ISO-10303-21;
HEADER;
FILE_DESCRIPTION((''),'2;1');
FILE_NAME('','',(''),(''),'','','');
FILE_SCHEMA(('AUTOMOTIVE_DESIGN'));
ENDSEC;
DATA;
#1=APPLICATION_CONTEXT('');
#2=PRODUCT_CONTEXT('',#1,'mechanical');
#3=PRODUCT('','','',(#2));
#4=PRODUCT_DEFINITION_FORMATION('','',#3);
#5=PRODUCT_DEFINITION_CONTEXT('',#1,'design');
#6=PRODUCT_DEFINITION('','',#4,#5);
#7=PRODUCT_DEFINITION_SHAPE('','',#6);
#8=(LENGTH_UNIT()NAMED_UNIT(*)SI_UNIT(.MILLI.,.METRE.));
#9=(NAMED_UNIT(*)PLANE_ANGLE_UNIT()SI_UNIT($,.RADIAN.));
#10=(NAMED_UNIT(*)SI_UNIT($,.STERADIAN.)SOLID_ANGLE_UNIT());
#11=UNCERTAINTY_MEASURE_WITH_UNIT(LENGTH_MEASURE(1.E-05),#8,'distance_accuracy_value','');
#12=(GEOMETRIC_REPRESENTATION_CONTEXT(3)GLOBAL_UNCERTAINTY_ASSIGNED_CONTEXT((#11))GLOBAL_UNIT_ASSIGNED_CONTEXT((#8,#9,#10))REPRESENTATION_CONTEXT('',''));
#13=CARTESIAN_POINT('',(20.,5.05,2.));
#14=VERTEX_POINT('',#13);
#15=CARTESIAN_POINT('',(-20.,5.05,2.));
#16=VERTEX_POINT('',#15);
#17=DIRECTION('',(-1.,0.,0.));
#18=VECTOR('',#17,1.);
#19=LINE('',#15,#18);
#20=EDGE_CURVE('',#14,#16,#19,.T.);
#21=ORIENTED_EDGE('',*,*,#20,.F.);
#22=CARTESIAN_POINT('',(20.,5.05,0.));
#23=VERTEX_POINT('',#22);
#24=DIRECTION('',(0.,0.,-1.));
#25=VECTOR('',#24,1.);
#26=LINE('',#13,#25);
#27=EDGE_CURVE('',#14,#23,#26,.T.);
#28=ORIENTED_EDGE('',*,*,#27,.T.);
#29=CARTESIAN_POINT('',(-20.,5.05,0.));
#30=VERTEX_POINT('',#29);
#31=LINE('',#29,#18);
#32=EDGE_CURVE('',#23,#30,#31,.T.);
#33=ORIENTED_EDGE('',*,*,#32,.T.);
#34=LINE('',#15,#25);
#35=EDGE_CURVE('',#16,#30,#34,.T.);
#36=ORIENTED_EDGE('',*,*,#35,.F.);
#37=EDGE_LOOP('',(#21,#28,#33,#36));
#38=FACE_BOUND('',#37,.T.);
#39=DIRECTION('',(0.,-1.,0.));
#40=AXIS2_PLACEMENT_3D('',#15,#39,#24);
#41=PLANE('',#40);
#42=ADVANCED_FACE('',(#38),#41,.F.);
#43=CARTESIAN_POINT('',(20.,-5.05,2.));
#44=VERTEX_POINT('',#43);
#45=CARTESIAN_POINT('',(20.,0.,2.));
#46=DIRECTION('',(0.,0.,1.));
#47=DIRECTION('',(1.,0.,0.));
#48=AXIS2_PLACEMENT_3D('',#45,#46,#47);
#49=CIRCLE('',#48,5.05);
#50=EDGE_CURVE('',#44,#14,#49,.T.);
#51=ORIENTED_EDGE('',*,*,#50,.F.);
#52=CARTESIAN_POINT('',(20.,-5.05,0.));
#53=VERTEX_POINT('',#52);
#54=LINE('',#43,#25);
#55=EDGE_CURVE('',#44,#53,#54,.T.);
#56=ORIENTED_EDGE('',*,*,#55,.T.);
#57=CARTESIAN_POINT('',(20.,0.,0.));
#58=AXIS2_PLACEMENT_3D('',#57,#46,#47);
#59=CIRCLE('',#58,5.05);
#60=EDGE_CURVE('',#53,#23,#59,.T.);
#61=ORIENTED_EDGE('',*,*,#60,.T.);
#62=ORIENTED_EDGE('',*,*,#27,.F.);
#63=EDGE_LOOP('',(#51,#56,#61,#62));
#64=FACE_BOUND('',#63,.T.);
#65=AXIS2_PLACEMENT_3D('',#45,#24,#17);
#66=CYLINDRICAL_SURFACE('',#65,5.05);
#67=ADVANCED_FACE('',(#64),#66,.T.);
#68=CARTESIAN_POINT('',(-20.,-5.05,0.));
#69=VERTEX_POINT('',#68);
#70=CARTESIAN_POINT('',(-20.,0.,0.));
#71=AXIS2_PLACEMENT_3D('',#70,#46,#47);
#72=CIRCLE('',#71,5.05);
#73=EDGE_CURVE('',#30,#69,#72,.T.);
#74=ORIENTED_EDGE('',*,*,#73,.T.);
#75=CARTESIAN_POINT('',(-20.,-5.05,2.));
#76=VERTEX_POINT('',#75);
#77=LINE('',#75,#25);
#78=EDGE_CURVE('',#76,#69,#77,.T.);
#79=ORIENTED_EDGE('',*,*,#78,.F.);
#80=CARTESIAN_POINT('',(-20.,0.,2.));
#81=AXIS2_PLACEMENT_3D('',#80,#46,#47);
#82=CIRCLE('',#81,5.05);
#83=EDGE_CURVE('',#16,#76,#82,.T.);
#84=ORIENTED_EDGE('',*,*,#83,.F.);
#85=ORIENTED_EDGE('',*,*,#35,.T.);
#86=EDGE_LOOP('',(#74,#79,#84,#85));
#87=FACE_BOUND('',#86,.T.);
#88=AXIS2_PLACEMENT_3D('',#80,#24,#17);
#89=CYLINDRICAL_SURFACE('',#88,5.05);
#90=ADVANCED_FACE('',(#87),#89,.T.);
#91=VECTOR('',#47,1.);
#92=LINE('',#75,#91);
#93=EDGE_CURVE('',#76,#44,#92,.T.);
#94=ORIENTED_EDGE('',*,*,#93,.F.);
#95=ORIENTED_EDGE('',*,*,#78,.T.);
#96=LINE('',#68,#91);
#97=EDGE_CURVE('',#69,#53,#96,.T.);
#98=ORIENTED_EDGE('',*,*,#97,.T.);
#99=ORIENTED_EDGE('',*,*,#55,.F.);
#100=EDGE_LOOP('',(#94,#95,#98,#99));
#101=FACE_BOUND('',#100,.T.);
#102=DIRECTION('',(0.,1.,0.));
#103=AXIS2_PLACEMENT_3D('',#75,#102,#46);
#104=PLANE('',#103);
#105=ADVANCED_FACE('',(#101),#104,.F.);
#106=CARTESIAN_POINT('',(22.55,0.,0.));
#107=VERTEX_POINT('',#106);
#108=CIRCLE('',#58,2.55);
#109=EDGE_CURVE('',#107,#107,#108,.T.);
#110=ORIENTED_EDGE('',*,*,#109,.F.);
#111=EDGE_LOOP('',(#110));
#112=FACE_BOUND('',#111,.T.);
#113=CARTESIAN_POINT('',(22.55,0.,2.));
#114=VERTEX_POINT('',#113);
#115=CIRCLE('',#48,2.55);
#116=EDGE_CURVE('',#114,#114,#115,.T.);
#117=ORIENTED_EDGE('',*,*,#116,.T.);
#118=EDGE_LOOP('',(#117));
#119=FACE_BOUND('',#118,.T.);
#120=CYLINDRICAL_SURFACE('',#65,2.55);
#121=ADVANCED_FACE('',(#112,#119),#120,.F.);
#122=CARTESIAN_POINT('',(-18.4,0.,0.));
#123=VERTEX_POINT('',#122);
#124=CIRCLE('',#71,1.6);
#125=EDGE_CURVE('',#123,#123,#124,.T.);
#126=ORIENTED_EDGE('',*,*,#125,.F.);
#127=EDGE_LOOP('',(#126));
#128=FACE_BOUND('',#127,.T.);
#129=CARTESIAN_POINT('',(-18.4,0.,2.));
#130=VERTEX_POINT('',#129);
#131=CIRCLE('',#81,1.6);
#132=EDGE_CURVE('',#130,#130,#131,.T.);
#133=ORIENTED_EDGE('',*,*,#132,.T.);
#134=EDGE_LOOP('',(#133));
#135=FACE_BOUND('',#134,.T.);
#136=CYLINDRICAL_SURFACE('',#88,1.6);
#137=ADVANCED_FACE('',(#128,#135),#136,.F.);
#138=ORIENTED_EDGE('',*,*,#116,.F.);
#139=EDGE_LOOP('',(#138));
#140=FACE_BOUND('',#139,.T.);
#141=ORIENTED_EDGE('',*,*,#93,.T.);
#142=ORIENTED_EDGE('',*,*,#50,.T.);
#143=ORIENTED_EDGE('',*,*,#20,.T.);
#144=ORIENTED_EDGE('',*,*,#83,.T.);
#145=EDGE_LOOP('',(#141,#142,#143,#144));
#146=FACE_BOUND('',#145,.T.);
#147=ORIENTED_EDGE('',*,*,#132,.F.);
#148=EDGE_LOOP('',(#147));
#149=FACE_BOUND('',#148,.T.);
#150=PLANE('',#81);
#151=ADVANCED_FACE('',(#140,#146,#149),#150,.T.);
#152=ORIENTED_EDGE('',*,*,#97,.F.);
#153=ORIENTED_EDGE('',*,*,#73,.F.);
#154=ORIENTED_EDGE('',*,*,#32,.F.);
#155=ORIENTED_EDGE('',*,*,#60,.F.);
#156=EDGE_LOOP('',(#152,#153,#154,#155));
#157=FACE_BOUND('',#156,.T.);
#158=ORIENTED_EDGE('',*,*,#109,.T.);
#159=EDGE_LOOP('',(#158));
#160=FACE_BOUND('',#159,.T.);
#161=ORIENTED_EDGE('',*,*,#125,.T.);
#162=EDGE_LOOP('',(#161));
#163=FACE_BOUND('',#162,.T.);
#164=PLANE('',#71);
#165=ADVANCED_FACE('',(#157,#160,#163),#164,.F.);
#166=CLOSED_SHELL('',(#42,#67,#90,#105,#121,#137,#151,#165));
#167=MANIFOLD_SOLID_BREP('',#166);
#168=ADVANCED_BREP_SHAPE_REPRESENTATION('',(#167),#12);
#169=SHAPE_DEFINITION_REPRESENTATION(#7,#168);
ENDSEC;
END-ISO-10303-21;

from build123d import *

# Parameters (mm, degrees)
SKETCH_1_R      = 1.6
SKETCH_1_R_2    = 2.55
EXTRUDE_1_DEPTH = 2


with BuildPart() as part:
    # 草图1 → 凸台-拉伸1 (new body)
    with BuildSketch(Plane.XY):
        with BuildLine():
            Line((-20, 5.05), (20, 5.05))
            ThreePointArc((20, 5.05), (25.05, 0), (20, -5.05))
            Line((20, -5.05), (-20, -5.05))
            ThreePointArc((-20, -5.05), (-25.05, 0), (-20, 5.05))
        make_face()
        with Locations((-20, 0)):
            Circle(SKETCH_1_R, mode=Mode.SUBTRACT)
        with Locations((20, 0)):
            Circle(SKETCH_1_R_2, mode=Mode.SUBTRACT)
    extrude(amount=EXTRUDE_1_DEPTH)


solid = part.part
